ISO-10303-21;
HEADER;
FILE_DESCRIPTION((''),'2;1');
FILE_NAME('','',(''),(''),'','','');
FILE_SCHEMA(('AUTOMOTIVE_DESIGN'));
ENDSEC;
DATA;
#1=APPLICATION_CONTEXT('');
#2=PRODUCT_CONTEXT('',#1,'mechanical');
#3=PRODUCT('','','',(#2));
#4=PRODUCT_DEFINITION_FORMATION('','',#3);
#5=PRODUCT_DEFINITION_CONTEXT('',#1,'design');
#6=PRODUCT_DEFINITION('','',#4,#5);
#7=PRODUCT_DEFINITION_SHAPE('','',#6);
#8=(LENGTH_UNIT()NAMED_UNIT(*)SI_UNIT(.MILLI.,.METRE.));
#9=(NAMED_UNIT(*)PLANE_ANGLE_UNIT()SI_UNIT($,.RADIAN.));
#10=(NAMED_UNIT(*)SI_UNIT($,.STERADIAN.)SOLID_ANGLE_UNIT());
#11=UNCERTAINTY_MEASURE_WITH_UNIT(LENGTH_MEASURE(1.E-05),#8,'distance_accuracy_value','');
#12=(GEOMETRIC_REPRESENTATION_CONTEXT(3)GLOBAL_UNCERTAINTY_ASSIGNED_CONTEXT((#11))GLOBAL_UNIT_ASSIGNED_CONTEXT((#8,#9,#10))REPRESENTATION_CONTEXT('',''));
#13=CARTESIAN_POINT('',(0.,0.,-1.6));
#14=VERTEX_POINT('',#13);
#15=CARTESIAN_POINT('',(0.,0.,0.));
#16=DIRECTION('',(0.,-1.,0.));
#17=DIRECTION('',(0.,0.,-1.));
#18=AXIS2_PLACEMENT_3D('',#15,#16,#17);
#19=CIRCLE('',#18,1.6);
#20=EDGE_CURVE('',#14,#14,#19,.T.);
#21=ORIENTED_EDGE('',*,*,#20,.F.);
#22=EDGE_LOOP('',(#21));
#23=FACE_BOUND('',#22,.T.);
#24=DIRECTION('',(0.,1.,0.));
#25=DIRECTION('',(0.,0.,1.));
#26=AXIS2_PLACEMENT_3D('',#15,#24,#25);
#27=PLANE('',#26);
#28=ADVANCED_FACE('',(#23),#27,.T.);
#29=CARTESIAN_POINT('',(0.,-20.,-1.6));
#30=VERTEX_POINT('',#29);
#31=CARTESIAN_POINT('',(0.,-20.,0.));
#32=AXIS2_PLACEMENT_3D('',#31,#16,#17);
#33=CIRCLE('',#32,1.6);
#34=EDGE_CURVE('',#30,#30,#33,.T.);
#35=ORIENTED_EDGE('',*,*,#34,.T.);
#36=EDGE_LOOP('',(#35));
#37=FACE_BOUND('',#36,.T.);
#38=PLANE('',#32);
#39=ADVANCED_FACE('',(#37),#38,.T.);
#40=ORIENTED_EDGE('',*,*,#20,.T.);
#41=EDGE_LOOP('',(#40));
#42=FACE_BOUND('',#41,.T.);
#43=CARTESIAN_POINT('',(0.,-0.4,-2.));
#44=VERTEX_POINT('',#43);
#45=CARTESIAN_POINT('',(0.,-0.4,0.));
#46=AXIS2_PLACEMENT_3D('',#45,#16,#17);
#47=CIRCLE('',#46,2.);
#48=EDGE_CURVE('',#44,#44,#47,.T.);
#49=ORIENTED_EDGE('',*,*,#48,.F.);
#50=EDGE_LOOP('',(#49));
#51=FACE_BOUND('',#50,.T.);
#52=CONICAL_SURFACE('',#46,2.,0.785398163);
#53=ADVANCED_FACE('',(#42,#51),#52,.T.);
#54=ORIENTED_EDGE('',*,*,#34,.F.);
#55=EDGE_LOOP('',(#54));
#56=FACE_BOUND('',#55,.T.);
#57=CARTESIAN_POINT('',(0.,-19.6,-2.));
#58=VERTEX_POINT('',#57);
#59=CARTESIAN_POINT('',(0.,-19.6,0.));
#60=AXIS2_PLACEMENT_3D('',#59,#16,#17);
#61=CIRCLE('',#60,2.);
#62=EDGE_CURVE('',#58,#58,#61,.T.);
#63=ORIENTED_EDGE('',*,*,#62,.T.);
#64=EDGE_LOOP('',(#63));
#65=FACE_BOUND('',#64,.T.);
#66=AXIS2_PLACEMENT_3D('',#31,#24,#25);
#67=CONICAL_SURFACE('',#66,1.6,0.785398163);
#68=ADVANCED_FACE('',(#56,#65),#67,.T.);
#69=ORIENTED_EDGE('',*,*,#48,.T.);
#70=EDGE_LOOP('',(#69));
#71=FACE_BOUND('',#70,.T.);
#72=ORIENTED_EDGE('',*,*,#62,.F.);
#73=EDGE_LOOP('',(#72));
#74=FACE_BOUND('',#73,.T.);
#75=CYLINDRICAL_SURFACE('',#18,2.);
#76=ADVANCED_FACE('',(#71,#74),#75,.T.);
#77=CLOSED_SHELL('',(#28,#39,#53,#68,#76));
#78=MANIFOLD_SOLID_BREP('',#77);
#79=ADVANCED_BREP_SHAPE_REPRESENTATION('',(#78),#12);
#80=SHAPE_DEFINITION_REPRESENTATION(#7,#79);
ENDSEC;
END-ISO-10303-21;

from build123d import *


with BuildPart() as part:
    # Esquisse1 → Base-Révolution (revolve)
    with BuildSketch(Plane.XY, mode=Mode.PRIVATE) as base_r_volution_sk:
        Polygon((2, -19.6), (2, -0.4), (1.6, 0), (0, 0), (0, -20), (1.6, -20), align=None)
    revolve(base_r_volution_sk.sketch.rotate(Axis((0, 0, 0), (0, 1, 0)), 90), axis=Axis((0, 0, 0), (0, 1, 0)))


solid = part.part
